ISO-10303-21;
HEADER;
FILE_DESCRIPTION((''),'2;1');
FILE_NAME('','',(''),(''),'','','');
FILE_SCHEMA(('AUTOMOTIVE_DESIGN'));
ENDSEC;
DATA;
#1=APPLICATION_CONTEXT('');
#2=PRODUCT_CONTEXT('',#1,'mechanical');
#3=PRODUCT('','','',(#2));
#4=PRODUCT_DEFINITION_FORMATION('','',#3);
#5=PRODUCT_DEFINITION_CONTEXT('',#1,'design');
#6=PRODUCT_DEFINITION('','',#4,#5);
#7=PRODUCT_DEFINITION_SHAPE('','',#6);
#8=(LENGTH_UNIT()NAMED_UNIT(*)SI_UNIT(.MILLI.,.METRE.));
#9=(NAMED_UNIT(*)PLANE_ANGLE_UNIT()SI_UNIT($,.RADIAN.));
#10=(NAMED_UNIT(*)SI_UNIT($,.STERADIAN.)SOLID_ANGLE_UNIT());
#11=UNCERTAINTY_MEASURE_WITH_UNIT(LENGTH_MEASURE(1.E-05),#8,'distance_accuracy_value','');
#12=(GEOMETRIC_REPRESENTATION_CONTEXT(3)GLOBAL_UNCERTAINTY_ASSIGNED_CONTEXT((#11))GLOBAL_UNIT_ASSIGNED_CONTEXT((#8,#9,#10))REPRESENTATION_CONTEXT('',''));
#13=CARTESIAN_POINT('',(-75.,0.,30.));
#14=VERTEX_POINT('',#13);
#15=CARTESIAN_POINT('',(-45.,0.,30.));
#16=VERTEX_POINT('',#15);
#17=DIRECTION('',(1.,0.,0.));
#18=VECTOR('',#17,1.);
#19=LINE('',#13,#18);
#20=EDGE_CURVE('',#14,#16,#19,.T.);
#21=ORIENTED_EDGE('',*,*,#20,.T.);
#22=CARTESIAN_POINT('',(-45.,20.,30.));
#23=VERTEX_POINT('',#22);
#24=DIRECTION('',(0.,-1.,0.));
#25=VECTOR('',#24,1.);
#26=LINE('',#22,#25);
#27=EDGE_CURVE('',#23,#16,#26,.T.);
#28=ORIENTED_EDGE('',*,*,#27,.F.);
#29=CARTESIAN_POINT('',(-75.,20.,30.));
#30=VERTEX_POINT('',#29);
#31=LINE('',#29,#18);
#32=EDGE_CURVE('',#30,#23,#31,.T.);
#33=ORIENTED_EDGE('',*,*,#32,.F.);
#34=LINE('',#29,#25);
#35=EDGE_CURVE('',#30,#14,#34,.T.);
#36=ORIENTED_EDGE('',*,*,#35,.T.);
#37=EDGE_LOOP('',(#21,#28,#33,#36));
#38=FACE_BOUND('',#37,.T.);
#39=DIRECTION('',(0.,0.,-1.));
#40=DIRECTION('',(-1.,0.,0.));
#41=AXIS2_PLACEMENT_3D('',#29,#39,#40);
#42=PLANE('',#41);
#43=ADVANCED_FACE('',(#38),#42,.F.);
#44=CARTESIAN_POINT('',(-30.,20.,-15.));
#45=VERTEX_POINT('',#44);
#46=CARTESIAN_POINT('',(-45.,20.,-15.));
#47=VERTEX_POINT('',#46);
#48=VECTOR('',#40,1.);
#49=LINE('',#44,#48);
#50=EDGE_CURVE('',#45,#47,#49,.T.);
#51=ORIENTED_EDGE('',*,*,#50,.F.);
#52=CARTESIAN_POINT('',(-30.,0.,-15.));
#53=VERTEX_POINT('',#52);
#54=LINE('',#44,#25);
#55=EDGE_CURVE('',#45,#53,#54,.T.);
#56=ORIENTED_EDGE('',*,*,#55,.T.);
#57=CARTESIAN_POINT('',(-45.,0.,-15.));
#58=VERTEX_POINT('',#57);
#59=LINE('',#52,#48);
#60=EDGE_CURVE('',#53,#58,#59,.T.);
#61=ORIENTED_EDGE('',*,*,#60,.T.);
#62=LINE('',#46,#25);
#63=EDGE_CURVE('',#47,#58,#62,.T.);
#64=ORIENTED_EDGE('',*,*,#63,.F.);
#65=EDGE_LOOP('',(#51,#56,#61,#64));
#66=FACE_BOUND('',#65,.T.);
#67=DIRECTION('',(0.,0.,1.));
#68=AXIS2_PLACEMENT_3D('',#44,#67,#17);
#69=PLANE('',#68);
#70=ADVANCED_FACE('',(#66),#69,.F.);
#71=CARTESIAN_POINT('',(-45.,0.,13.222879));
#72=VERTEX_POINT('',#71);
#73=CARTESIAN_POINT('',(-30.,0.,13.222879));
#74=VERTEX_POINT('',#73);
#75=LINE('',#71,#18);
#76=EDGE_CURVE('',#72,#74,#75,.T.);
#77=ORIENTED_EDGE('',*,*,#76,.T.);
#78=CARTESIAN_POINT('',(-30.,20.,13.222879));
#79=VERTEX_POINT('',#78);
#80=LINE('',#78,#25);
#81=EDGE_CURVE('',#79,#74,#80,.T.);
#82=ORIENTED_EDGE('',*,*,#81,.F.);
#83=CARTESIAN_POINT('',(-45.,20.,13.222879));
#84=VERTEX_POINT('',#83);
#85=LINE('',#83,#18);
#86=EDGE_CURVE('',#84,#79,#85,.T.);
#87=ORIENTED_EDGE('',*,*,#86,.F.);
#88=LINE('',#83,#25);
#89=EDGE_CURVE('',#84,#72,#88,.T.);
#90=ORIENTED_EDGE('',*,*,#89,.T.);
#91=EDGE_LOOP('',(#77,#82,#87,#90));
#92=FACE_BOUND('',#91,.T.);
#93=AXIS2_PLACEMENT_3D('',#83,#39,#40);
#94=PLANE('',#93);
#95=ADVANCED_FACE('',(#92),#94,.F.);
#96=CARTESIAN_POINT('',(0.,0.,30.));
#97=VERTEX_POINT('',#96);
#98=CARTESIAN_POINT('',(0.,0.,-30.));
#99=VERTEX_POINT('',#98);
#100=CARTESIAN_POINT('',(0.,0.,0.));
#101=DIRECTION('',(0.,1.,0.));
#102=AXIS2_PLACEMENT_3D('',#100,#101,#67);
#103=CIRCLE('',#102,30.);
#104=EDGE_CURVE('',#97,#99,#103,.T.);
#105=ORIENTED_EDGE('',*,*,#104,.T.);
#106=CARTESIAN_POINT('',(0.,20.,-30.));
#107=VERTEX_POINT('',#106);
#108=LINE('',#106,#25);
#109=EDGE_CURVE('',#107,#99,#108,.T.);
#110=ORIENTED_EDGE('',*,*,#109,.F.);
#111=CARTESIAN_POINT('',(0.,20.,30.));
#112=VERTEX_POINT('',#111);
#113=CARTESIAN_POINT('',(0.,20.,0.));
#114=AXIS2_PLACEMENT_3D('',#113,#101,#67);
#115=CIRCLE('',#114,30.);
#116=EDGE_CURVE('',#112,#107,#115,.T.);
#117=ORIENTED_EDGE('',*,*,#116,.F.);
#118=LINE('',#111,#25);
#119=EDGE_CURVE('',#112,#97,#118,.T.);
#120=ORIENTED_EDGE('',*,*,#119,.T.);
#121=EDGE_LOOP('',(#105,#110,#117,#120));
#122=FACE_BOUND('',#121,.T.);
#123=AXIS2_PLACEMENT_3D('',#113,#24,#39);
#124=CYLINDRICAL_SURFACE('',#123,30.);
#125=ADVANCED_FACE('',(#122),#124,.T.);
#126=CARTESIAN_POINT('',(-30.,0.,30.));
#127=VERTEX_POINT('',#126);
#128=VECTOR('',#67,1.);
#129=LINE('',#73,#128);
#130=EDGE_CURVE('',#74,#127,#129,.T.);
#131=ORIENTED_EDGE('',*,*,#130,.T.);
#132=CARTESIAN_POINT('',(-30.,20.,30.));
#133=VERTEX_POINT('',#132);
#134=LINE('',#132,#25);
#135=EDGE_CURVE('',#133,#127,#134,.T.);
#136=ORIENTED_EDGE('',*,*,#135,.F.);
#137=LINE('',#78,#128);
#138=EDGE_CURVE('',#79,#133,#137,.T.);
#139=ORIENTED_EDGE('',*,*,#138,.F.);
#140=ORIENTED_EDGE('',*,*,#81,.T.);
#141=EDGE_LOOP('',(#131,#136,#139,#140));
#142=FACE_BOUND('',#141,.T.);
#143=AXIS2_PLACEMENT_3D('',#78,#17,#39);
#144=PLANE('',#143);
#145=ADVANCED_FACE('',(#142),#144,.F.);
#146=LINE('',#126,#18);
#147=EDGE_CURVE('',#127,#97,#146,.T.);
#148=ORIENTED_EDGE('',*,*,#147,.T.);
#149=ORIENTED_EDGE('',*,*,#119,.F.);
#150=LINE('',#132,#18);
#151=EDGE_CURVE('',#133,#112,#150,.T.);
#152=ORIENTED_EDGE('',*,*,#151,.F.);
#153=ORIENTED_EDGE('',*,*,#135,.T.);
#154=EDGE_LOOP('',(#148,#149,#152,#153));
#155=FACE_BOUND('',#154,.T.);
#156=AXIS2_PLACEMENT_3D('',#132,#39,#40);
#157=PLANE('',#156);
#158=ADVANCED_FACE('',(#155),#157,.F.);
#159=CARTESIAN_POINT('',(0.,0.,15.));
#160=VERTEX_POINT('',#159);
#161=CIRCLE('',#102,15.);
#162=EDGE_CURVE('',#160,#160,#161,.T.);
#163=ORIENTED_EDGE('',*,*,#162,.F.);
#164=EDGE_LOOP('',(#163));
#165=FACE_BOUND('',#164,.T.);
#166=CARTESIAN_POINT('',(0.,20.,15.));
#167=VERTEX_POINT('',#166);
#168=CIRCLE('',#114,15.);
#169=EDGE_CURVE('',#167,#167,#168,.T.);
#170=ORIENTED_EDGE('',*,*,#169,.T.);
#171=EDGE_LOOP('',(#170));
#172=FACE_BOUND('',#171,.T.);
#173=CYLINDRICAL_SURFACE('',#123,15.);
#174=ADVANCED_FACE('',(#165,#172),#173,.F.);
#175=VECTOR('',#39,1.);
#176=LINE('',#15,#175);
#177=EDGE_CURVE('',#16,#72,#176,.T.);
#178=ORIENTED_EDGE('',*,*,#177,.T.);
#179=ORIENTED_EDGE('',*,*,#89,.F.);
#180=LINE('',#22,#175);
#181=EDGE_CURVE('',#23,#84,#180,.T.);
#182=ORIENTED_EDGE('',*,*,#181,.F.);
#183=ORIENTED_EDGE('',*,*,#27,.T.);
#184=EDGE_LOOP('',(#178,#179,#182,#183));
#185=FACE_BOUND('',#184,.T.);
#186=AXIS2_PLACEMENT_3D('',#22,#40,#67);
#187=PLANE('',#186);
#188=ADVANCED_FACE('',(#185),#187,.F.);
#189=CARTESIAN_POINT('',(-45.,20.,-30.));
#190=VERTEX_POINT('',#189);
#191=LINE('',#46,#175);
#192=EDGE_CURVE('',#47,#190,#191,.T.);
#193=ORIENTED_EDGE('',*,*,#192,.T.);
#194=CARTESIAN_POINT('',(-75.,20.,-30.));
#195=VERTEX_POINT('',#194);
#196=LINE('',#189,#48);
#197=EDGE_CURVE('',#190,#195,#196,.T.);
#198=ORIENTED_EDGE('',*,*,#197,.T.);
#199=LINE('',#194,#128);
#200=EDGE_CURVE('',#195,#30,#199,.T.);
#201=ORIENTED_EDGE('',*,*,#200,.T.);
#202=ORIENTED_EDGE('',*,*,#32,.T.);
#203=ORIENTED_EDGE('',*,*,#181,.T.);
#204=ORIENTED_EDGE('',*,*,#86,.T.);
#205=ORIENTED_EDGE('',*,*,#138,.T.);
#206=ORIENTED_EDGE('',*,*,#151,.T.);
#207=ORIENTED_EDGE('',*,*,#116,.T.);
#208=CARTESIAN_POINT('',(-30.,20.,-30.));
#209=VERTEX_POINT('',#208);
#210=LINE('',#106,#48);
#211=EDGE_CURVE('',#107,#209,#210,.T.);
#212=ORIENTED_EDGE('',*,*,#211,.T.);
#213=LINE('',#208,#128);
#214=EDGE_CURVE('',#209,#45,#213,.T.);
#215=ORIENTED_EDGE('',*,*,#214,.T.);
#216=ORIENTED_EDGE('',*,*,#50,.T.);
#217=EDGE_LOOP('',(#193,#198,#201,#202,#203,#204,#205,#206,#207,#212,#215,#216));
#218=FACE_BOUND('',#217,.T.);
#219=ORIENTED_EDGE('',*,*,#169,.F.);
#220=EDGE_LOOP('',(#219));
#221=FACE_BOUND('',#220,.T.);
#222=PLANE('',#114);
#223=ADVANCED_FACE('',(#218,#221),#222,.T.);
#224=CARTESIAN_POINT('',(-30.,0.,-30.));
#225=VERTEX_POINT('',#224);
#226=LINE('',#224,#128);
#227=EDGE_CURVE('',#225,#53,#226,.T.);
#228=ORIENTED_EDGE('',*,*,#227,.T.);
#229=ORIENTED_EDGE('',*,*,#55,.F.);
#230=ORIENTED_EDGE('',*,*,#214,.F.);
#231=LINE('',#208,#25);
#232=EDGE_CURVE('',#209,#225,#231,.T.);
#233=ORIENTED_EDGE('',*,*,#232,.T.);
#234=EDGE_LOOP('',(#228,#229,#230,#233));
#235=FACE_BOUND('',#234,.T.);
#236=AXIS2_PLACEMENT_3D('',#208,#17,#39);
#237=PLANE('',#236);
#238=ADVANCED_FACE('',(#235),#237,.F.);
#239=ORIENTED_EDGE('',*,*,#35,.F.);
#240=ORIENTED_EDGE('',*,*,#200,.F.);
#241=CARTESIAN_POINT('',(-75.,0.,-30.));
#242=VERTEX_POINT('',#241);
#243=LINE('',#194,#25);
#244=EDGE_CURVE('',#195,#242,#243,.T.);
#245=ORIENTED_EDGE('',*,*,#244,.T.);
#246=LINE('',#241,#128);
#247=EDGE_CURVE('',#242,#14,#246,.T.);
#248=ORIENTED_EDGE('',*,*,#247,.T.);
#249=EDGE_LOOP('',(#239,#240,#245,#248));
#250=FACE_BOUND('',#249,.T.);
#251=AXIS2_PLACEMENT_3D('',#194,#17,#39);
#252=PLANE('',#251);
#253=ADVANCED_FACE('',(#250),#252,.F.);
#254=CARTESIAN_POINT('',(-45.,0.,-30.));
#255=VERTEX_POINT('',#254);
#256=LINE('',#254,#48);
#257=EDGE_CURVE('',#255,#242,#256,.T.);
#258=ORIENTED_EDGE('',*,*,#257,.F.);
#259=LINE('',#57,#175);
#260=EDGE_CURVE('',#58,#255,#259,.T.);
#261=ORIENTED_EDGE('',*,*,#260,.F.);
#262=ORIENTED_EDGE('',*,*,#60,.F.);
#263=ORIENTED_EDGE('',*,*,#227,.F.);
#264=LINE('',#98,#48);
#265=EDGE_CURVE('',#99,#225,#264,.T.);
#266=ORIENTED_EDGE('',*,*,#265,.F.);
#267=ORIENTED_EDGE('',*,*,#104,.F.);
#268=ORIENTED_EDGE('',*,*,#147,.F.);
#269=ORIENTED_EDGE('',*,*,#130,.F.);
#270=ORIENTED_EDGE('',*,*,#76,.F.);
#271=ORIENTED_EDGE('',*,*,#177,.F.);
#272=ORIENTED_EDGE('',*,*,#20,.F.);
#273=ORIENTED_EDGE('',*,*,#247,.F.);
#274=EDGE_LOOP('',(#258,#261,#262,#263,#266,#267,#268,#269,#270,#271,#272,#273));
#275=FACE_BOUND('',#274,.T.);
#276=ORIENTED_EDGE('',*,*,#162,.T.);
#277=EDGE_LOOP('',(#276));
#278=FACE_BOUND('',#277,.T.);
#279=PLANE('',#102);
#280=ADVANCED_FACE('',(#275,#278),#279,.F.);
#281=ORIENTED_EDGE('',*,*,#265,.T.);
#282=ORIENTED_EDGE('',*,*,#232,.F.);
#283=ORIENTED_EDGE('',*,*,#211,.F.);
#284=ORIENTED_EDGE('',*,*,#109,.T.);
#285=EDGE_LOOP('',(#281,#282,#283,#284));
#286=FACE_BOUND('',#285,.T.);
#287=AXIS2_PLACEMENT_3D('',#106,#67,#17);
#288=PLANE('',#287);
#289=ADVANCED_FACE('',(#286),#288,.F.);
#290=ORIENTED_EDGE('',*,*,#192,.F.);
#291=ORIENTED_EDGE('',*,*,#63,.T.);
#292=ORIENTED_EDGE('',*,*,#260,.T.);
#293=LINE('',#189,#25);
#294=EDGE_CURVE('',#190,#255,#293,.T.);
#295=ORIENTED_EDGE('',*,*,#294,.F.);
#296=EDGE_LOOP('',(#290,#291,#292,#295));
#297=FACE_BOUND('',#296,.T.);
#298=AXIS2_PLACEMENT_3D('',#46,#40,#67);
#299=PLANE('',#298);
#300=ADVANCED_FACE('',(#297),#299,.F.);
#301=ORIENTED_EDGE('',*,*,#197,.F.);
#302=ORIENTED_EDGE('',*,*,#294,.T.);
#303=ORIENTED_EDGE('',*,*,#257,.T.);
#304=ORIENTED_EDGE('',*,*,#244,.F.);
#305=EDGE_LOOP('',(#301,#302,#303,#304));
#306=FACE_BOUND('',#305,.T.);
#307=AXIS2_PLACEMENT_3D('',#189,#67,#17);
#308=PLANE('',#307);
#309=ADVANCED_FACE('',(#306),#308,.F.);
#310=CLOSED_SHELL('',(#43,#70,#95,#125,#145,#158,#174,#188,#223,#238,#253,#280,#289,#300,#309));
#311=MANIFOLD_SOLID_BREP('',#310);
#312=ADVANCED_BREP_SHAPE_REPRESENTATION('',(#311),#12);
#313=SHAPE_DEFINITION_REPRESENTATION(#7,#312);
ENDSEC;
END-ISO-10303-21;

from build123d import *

# Parameters (mm, degrees)
SKETCH_1_R      = 15
EXTRUDE_1_DEPTH = 20


with BuildPart() as part:
    # 草圖1 → 填料-伸長1 (new body)
    with BuildSketch(Plane(origin=(0, 0, 0), x_dir=(1, 0, 0), z_dir=(0, 1, 0))):
        with BuildLine():
            Line((0, 30), (-30, 30))
            Line((-30, 30), (-30, 15))
            Line((-30, 15), (-45, 15))
            Line((-45, 15), (-45, 30))
            Line((-45, 30), (-75, 30))
            Line((-75, 30), (-75, -30))
            Line((-75, -30), (-45, -30))
            Line((-45, -30), (-45, -13.222878726))
            Line((-45, -13.222878726), (-30, -13.222878726))
            Line((-30, -13.222878726), (-30, -30))
            Line((-30, -30), (0, -30))
            ThreePointArc((0, -30), (30, 0), (0, 30))
        make_face()
        with Locations(Location((0, 0, 0), (0, 0, 270))):
            Circle(SKETCH_1_R, mode=Mode.SUBTRACT)
    extrude(amount=EXTRUDE_1_DEPTH)


solid = part.part
